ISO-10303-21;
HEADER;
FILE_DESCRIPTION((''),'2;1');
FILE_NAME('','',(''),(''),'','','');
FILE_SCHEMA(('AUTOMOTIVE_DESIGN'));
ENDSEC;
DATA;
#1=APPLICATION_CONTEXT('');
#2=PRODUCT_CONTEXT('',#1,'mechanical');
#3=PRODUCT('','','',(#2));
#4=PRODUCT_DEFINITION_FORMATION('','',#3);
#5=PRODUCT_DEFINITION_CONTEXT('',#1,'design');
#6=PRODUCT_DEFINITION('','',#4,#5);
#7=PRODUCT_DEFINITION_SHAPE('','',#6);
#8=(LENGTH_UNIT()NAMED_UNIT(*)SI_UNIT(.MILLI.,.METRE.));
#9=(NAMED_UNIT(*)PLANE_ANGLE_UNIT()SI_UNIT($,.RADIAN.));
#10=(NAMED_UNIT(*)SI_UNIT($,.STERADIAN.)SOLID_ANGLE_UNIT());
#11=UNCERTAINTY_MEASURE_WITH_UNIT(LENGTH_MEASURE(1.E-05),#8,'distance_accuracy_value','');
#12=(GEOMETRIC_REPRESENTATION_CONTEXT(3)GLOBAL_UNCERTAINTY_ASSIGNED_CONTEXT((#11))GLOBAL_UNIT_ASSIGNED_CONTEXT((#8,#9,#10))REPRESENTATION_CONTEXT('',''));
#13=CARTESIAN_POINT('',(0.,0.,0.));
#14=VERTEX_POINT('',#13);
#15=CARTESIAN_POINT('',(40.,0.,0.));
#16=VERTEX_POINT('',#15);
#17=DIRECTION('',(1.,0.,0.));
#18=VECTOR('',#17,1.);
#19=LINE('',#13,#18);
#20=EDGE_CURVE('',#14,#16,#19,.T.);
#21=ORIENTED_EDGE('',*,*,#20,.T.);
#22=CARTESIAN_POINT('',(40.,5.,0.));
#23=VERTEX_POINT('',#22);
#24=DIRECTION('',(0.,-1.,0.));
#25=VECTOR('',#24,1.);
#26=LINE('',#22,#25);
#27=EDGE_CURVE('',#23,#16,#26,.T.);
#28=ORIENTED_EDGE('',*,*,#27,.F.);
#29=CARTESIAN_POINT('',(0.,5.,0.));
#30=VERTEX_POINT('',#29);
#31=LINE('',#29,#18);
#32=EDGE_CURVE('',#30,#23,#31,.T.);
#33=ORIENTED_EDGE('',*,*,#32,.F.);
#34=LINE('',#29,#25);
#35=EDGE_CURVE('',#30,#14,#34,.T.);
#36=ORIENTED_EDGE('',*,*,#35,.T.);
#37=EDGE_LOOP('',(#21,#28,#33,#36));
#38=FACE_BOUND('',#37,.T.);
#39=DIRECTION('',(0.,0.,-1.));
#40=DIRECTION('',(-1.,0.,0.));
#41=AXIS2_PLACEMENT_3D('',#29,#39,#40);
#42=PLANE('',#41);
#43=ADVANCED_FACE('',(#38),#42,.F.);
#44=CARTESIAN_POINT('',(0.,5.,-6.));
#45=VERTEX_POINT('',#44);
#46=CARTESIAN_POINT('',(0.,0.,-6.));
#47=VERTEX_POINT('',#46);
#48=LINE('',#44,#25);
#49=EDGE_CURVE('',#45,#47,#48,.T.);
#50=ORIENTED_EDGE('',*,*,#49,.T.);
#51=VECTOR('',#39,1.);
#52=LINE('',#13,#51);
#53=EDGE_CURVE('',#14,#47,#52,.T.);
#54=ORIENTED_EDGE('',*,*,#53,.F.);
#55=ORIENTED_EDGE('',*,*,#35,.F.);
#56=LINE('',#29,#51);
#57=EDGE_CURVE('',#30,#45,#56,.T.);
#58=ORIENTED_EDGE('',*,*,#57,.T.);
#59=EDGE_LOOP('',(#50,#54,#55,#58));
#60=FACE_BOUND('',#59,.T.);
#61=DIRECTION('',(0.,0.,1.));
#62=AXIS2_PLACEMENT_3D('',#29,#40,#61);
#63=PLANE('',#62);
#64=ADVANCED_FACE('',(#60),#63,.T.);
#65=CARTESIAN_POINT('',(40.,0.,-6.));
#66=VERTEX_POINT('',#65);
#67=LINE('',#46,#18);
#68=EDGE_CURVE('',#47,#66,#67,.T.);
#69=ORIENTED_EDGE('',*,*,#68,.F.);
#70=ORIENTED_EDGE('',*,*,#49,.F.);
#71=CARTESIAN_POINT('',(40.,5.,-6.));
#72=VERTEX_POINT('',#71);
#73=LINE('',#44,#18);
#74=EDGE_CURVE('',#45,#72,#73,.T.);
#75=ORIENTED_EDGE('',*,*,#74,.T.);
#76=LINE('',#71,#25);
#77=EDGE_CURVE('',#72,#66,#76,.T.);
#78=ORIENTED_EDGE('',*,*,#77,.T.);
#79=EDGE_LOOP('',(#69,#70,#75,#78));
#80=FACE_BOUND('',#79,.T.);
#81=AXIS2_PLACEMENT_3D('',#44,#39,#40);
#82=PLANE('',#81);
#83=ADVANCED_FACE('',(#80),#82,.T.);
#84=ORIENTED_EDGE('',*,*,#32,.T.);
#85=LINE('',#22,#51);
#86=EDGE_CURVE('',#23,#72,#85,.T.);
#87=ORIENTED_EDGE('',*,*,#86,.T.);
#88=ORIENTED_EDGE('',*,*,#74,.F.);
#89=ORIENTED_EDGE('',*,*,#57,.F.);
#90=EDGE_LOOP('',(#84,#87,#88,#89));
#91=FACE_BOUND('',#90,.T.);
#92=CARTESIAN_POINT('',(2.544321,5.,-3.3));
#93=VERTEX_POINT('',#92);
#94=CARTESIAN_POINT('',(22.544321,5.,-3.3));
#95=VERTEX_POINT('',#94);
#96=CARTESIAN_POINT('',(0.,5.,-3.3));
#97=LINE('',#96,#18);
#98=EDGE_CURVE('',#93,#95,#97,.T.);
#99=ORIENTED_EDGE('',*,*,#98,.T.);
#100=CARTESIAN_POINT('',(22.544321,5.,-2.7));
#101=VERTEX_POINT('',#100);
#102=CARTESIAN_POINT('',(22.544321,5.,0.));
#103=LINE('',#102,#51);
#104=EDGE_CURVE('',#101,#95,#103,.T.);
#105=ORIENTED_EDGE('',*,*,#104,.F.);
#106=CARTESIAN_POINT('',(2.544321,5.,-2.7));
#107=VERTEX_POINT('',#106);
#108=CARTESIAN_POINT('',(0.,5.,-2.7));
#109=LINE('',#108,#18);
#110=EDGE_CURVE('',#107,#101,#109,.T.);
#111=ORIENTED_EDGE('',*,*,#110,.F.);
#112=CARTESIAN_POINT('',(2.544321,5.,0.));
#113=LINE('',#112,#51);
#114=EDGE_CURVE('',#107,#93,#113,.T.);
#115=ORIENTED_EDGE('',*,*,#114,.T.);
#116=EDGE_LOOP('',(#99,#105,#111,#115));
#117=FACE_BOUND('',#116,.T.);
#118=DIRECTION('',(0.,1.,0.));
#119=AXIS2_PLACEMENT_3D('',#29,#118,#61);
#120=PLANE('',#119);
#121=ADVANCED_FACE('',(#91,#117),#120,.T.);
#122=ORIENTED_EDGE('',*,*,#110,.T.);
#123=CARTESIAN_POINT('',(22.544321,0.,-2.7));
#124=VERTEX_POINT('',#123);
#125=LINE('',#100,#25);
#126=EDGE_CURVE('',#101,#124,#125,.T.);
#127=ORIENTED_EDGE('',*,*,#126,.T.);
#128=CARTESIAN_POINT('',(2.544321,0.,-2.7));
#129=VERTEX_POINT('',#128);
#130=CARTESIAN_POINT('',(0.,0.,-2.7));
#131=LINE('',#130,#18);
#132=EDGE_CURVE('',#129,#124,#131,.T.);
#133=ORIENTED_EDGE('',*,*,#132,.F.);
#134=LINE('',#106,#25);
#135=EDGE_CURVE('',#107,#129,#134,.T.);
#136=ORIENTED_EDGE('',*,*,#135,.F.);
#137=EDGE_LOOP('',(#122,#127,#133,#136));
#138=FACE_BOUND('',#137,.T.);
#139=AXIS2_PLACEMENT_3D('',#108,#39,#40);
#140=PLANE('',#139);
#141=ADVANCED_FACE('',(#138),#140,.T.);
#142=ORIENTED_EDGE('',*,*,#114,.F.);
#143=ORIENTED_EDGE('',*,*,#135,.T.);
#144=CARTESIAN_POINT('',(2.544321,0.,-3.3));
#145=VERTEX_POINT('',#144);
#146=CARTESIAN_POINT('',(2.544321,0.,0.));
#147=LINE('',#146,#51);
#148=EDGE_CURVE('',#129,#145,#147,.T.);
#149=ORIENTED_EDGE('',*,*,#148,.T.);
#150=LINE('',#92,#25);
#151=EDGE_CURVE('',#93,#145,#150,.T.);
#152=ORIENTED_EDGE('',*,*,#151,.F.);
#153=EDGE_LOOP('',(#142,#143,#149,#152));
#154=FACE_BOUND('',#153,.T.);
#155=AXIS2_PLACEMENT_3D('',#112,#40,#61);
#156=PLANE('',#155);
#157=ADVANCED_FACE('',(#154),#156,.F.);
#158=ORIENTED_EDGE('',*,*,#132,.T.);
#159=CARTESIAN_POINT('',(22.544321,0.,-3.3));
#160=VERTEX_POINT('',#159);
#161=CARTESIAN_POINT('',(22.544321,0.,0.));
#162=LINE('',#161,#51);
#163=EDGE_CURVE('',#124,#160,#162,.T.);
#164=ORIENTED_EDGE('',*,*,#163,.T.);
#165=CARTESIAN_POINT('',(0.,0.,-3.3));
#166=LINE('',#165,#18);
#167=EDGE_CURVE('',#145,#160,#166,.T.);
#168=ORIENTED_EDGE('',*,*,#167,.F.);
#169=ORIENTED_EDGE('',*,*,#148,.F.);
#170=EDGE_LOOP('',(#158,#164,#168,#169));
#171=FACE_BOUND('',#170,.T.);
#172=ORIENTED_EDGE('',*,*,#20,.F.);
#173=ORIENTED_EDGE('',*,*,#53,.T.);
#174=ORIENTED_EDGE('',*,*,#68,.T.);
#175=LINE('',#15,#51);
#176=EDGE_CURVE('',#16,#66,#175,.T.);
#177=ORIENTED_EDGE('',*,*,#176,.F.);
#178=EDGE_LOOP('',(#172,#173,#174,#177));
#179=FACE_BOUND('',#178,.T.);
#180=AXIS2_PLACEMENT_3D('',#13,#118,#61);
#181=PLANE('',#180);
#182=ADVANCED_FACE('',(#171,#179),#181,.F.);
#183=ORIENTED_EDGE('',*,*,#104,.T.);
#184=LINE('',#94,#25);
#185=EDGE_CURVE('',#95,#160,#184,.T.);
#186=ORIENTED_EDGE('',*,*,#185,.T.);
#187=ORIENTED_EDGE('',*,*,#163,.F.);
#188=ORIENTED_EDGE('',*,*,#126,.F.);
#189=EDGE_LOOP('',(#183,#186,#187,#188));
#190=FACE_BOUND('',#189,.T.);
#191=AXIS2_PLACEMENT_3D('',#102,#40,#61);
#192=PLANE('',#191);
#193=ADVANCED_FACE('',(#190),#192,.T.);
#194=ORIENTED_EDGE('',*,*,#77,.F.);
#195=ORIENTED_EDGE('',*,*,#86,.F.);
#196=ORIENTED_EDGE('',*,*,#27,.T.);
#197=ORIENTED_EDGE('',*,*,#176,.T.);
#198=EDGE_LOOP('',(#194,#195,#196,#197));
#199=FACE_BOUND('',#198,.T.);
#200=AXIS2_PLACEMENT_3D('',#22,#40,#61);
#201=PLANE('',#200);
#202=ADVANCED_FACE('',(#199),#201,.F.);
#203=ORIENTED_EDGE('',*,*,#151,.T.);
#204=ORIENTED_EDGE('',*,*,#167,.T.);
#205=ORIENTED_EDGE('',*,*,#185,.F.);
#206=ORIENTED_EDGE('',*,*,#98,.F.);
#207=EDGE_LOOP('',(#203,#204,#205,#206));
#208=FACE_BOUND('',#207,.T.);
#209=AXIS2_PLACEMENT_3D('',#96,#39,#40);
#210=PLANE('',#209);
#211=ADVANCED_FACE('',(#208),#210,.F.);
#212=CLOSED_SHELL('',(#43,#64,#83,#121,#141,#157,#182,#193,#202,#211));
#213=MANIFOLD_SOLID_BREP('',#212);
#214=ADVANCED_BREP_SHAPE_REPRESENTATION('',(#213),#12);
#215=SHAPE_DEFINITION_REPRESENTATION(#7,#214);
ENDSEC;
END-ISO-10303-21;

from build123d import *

# Parameters (mm, degrees)
EXTRUDE_1_DEPTH = 5


with BuildPart() as part:
    # 草图1 → 凸台-拉伸1 (new body)
    with BuildSketch(Plane(origin=(0, 0, 0), x_dir=(1, 0, 0), z_dir=(0, 1, 0))):
        Polygon((0, 6), (0, 3), (2.544321256, 3), (2.544321256, 3.3), (22.544321256, 3.3), (22.544321256, 3), (40, 3), (40, 6), align=None)
        Polygon((2.544321256, 3), (0, 3), (0, 0), (40, 0), (40, 3), (22.544321256, 3), (22.544321256, 2.7), (2.544321256, 2.7), align=None)
    extrude(amount=EXTRUDE_1_DEPTH)


solid = part.part
